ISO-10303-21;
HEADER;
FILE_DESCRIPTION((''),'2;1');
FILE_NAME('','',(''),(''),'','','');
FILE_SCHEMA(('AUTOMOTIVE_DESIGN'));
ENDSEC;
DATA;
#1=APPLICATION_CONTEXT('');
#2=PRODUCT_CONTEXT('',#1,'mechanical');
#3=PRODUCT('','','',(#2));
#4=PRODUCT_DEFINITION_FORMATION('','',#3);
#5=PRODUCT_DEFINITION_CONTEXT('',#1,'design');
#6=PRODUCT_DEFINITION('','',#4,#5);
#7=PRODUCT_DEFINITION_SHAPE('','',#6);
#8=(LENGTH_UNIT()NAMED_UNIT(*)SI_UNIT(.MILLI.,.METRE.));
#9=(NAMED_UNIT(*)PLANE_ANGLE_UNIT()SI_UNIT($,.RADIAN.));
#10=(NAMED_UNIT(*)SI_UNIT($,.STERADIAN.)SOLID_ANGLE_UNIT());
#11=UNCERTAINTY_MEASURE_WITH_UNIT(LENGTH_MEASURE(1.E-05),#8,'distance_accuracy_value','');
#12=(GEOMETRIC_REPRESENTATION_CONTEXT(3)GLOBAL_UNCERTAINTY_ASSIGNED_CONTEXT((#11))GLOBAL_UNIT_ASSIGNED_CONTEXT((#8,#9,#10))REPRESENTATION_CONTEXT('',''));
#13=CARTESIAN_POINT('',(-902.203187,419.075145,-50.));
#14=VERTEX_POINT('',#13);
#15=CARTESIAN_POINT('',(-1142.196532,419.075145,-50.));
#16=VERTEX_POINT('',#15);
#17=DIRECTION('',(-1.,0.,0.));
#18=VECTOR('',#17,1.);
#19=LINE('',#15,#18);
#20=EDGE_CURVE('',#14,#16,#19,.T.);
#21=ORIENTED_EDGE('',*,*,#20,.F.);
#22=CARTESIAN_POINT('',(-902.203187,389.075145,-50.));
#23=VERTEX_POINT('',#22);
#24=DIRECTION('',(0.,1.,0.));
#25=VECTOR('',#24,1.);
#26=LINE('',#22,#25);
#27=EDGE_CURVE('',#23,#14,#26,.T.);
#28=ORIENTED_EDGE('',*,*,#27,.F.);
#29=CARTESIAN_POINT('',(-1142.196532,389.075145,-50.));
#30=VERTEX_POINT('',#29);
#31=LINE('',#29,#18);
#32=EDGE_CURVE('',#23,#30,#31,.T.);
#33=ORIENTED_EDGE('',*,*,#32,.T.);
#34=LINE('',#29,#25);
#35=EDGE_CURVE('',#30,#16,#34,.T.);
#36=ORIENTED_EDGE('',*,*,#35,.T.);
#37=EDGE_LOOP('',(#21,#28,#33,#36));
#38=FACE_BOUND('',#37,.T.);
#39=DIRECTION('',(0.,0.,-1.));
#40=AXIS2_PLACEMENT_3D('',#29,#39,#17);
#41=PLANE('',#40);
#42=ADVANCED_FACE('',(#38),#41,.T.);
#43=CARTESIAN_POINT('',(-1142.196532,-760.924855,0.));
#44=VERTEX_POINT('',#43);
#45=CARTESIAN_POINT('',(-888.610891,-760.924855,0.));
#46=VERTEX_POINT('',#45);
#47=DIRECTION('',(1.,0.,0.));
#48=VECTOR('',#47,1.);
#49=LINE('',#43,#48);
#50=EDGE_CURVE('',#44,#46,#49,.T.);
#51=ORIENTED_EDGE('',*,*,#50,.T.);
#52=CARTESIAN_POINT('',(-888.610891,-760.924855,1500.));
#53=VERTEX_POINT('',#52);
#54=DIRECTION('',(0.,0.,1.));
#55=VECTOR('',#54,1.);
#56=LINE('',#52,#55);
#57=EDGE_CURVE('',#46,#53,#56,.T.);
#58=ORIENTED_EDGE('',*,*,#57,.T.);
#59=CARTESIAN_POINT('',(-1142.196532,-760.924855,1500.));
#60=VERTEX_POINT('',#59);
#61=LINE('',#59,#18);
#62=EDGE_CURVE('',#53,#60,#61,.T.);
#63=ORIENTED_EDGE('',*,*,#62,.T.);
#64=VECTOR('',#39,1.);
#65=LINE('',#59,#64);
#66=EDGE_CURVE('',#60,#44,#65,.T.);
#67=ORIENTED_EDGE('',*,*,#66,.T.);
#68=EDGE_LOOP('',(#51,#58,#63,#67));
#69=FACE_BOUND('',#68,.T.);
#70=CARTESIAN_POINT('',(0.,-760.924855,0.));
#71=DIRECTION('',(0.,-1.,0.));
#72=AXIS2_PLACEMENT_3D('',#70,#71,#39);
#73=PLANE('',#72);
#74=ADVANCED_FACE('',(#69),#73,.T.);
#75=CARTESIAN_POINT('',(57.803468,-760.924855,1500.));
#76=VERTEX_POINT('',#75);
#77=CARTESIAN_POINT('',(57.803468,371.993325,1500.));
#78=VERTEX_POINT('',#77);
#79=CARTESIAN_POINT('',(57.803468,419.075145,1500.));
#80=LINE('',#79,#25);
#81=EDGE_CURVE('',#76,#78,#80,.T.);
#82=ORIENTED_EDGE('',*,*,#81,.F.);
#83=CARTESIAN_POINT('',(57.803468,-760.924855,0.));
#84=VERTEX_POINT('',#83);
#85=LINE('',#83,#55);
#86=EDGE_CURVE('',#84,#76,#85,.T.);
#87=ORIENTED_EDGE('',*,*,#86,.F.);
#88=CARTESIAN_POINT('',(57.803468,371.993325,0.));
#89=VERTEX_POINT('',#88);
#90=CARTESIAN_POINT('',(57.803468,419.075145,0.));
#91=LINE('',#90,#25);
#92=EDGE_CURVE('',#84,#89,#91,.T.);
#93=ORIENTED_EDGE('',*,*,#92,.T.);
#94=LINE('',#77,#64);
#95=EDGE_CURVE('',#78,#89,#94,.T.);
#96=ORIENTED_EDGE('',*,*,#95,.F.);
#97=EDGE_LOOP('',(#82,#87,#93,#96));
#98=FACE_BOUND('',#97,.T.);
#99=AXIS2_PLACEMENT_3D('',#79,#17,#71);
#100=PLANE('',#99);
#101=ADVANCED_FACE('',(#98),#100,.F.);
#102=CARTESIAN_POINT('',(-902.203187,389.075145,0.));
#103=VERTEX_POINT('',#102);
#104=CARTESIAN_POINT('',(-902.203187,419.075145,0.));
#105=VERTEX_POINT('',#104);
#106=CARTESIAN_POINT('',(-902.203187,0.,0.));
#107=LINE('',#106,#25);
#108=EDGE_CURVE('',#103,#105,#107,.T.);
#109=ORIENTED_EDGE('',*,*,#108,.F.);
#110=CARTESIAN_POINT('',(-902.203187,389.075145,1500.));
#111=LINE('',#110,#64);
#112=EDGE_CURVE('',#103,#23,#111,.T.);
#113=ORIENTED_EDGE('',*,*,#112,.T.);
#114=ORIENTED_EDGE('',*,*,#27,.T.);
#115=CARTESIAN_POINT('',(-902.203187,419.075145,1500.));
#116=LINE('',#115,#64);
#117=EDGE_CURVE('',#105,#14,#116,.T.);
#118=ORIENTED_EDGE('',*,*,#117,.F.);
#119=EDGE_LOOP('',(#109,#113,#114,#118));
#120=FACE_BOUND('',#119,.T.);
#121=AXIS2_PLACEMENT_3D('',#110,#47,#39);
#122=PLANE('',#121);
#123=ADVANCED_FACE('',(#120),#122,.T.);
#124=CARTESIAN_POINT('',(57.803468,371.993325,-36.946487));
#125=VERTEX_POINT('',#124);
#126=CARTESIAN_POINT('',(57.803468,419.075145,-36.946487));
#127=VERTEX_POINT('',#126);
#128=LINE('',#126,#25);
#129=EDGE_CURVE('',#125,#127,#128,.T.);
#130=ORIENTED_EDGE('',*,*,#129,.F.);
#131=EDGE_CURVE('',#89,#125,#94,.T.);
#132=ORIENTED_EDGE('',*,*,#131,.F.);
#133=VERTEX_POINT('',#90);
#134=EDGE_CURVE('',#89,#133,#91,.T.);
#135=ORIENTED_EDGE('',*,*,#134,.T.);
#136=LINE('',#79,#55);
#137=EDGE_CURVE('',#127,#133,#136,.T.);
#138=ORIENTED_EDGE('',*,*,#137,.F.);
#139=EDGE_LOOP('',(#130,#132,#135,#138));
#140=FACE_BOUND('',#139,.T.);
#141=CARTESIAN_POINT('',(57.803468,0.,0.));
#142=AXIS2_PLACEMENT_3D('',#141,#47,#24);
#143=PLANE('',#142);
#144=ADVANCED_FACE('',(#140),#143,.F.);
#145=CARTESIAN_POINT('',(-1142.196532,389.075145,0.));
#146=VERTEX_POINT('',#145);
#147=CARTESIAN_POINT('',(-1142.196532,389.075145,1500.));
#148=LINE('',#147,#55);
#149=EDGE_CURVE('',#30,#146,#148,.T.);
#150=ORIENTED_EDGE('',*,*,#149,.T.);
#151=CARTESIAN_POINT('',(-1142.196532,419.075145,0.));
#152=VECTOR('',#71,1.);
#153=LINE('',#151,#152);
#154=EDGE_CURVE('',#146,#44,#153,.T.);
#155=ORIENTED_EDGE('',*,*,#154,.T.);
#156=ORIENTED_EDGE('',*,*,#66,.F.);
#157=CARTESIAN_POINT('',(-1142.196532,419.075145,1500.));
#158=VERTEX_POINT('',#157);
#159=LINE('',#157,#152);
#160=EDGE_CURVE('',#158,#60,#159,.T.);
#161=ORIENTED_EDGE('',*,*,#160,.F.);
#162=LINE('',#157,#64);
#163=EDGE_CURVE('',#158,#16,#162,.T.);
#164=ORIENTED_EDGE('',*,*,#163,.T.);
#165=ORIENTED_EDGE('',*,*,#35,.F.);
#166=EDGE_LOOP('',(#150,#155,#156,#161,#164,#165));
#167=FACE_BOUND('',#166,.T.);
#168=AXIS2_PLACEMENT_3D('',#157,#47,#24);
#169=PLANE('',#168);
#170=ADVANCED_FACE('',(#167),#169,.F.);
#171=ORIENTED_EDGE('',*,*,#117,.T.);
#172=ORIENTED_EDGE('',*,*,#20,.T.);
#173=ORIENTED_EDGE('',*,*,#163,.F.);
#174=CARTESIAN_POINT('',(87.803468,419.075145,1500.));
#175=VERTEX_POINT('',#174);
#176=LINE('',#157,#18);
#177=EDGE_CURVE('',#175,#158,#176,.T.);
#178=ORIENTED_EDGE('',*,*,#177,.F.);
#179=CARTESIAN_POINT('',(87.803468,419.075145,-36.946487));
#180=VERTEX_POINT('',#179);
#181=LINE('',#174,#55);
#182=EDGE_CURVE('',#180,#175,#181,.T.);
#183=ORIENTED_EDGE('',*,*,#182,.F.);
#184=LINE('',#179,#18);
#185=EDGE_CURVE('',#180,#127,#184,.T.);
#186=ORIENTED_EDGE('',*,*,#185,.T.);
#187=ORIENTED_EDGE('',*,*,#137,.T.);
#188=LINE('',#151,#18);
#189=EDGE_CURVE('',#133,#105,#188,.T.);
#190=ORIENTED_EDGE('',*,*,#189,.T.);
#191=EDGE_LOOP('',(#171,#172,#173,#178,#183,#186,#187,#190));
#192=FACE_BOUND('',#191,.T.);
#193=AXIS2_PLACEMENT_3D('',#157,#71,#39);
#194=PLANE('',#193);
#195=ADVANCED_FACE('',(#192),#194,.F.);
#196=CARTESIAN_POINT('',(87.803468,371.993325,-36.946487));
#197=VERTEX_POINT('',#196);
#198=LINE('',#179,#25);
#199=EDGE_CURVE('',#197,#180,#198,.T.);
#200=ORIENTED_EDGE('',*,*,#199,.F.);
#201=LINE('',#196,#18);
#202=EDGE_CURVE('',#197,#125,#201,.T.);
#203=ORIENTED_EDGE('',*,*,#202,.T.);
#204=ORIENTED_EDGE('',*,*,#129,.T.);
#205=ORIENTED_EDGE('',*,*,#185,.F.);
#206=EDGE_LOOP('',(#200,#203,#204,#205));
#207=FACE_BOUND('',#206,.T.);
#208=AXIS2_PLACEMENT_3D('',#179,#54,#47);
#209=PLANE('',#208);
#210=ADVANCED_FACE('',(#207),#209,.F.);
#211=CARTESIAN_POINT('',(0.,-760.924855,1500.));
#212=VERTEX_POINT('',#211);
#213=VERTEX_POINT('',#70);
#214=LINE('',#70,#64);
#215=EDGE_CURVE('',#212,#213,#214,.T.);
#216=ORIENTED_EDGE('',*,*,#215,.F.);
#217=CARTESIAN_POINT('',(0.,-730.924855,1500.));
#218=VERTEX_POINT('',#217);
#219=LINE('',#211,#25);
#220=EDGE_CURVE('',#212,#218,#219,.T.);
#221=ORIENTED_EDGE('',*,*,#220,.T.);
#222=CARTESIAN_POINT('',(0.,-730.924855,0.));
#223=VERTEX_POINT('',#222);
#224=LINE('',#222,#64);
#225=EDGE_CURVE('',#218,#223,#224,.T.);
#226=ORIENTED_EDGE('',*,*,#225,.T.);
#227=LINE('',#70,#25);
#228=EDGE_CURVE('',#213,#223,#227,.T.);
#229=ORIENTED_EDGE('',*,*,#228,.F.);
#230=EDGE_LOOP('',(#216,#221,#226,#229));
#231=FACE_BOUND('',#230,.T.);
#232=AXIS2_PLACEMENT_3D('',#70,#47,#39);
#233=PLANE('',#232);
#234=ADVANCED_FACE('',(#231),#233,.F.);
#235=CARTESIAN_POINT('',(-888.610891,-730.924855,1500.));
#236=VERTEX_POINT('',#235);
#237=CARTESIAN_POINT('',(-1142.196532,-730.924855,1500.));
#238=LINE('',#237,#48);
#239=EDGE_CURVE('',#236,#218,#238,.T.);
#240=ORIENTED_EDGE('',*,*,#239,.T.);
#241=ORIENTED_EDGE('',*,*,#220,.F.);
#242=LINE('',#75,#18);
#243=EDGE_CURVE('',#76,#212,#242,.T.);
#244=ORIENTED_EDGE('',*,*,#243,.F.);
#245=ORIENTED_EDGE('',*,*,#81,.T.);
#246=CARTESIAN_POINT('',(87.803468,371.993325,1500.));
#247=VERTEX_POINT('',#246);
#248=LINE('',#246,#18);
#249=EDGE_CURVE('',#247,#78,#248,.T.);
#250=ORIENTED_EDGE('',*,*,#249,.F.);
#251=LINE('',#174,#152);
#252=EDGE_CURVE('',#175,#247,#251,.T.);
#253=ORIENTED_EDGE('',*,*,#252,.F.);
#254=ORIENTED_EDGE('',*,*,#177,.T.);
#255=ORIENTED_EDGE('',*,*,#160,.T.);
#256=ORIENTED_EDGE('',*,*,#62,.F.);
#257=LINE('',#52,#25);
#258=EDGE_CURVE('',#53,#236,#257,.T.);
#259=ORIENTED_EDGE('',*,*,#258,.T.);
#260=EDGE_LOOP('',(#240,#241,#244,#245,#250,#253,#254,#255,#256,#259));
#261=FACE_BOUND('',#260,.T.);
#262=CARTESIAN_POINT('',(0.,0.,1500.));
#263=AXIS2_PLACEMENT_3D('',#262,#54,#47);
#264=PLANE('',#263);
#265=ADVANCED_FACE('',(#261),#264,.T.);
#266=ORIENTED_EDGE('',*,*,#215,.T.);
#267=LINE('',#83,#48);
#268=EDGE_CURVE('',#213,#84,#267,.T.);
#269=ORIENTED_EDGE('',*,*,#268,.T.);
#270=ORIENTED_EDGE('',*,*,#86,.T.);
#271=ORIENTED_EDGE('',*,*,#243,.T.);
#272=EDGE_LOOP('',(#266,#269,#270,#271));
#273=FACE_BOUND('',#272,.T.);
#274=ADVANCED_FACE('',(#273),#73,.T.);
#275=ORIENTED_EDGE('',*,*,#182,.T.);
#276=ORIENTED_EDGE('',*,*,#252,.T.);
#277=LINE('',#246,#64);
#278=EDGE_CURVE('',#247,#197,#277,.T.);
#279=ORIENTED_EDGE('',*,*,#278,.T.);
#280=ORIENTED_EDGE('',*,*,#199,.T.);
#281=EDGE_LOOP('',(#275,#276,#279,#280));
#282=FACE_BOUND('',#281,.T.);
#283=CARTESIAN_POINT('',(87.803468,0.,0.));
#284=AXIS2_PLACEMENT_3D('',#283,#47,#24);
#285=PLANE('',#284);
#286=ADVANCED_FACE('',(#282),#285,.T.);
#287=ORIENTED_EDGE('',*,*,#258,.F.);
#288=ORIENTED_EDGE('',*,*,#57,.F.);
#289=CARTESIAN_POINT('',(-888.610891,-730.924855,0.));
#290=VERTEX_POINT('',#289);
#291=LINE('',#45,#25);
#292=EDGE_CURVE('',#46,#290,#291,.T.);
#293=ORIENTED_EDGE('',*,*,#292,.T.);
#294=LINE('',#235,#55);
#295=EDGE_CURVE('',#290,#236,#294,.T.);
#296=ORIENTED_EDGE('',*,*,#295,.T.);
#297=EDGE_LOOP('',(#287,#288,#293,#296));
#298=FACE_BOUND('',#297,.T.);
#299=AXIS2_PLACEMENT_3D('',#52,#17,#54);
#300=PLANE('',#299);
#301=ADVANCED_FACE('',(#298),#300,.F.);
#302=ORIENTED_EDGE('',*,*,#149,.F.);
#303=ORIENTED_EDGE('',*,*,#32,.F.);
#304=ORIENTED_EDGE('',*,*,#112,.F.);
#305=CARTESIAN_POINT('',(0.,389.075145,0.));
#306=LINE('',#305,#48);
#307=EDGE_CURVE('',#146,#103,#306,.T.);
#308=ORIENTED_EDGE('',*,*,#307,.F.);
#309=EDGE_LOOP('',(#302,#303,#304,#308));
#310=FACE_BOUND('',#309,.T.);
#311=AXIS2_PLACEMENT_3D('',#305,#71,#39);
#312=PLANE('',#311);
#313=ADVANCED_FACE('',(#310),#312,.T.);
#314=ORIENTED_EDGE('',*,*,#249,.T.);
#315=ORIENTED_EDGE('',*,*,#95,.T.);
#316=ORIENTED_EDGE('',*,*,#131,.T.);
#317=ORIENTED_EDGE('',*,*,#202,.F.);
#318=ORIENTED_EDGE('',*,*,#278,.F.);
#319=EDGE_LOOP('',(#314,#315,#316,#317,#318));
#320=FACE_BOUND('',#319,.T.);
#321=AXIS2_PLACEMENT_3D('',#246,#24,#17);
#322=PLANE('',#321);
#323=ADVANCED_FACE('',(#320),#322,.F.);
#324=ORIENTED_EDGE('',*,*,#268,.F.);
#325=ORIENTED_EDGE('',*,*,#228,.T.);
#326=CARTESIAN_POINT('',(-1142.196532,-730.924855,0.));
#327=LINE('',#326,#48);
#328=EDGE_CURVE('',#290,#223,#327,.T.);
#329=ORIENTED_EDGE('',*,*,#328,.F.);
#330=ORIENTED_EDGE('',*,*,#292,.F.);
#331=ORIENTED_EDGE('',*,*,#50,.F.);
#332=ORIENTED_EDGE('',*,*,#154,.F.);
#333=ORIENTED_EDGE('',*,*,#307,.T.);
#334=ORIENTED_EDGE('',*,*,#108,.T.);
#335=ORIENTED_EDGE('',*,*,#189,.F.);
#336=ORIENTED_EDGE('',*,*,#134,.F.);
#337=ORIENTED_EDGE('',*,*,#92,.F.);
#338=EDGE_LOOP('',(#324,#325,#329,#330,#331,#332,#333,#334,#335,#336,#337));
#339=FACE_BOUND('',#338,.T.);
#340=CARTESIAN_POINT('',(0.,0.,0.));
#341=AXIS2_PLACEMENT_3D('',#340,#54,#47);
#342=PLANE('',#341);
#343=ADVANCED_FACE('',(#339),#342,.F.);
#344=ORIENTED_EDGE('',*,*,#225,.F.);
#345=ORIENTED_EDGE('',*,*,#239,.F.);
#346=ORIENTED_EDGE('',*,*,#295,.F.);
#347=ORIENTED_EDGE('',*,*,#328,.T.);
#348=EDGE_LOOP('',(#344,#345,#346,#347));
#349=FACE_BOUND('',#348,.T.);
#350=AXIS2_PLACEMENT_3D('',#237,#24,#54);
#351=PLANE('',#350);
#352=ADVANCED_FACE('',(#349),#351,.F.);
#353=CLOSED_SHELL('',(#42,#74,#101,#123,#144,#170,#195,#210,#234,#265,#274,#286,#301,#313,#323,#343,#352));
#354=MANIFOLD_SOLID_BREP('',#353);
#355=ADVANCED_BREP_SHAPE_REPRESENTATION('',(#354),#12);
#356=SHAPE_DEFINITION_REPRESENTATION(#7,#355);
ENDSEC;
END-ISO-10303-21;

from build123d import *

# Parameters (mm, degrees)
SKETCH1_W           = 1200
SKETCH1_H           = 1150
BOSS_EXTRUDE1_DEPTH = 1500
SKETCH2_W           = 57.803468208
SKETCH2_H           = 1500
SKETCH2_W_2         = 253.585640565
BOSS_EXTRUDE2_DEPTH = 30
SKETCH3_W           = 1536.946487479
SKETCH3_H           = 47.081819152
BOSS_EXTRUDE3_DEPTH = 30
SKETCH4_W           = 239.993344336
SKETCH4_H           = 1550
BOSS_EXTRUDE5_DEPTH = 30


with BuildPart() as part:
    # Sketch1 → Boss-Extrude1 (new body)
    with BuildSketch(Plane.XY):
        with Locations((-542.196531792, -155.924855491)):
            Rectangle(SKETCH1_W, SKETCH1_H)
    extrude(amount=BOSS_EXTRUDE1_DEPTH)

    # Sketch2 → Boss-Extrude2 (add)
    with BuildSketch(Plane.XZ.offset(730.924855491)):
        with Locations((28.901734104, 750)):
            Rectangle(SKETCH2_W, SKETCH2_H)
        with Locations((-1015.403711509, 750)):
            Rectangle(SKETCH2_W_2, SKETCH2_H)
    extrude(amount=BOSS_EXTRUDE2_DEPTH)

    # Sketch3 → Boss-Extrude3 (add)
    with BuildSketch(Plane(origin=(57.803468208, 0, 0), x_dir=(0, 0, -1), z_dir=(1, 0, 0))):
        with Locations((-731.52675626, 395.534234933)):
            Rectangle(SKETCH3_W, SKETCH3_H)
    extrude(amount=BOSS_EXTRUDE3_DEPTH)

    # Sketch4 → Boss-Extrude5 (add)
    with BuildSketch(Plane(origin=(0, 419.075144509, 0), x_dir=(1, 0, 0), z_dir=(0, 1, 0))):
        with Locations((-1022.199859624, -725)):
            Rectangle(SKETCH4_W, SKETCH4_H)
    extrude(amount=-BOSS_EXTRUDE5_DEPTH)


solid = part.part
